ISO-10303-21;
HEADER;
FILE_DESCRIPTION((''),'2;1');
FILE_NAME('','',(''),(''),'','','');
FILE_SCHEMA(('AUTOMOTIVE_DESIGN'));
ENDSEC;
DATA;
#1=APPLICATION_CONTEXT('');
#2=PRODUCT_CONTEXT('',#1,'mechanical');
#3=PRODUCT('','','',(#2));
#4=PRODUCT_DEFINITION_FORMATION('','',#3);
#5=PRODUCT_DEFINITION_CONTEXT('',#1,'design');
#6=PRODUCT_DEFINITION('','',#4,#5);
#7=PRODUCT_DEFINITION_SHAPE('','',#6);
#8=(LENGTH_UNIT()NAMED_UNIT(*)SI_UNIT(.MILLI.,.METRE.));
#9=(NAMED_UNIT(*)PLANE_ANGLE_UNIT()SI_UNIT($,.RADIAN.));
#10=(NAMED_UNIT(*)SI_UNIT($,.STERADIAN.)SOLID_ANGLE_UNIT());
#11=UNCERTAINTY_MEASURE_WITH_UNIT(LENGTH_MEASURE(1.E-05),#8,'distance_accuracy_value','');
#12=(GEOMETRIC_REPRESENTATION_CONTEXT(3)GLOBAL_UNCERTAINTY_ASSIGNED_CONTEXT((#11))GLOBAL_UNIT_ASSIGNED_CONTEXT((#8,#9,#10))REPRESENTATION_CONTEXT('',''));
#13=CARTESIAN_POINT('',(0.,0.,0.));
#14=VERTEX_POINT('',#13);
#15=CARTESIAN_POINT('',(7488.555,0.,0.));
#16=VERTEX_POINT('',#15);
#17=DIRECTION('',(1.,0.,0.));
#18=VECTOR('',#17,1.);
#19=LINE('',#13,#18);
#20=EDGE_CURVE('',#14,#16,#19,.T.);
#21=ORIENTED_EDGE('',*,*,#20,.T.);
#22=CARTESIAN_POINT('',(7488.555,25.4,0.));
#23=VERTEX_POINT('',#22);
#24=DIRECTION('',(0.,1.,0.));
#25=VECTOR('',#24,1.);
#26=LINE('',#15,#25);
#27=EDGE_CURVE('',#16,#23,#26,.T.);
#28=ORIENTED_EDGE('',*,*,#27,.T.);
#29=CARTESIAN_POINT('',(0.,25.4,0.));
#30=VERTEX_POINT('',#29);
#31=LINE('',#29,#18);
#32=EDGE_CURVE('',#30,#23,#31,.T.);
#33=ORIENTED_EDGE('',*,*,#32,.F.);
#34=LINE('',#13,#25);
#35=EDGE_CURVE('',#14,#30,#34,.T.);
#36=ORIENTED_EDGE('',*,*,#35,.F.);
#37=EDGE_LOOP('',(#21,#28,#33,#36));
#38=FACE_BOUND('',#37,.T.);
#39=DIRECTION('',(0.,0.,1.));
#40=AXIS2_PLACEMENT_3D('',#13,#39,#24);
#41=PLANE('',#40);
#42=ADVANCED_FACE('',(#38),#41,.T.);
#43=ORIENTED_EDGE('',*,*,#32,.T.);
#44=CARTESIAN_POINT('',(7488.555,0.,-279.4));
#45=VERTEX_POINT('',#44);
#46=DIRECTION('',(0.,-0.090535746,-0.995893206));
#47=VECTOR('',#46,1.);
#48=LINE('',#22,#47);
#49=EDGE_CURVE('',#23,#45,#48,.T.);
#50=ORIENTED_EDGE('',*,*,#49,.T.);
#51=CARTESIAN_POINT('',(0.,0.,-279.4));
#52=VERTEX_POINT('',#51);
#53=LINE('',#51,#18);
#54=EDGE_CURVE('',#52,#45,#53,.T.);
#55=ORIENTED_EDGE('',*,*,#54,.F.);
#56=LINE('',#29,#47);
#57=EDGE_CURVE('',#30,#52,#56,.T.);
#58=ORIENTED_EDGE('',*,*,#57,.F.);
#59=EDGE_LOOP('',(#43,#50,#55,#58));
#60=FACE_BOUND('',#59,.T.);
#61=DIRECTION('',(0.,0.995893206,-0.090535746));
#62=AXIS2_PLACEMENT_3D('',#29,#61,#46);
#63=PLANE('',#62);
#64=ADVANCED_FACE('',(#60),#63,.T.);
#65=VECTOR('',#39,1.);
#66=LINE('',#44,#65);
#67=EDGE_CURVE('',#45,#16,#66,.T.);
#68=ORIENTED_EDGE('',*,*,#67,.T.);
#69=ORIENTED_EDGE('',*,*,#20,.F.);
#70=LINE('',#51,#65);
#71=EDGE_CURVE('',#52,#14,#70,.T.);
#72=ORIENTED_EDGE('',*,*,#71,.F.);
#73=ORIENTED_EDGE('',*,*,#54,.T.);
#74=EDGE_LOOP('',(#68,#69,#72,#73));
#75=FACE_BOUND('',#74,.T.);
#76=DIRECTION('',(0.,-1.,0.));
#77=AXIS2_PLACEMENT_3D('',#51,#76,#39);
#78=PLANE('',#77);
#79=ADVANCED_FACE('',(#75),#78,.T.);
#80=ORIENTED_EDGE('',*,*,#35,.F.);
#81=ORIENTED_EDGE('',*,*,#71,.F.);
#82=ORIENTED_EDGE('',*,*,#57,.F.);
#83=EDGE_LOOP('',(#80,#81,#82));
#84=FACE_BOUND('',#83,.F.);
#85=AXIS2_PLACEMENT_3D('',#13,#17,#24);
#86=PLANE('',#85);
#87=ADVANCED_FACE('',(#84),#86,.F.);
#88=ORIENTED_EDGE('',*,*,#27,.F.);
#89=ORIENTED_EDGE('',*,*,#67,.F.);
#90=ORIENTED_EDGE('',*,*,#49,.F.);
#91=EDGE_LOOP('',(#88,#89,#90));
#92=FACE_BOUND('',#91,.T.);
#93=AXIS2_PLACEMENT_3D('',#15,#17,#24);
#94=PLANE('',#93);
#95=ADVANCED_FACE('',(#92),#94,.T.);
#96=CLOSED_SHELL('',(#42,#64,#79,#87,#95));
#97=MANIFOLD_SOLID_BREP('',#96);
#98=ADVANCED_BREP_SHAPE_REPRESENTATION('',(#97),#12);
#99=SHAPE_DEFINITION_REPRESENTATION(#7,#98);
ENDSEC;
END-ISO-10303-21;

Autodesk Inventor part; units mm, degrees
ref_plane "YZ Plane" through (0, 0, 0) normal (1, 0, 0) x (0, 1, 0)
ref_plane "XZ Plane" through (0, 0, 0) normal (0, 1, 0) x (-1, 0, 0)
ref_plane "XY Plane" through (0, 0, 0) normal (0, 0, 1) x (1, 0, 0)
sketch "Sketch1" plane through (0, 0, 0) normal (1, 0, 0) x (0, 1, 0)
  line L0 (0, 0) -> (25.4, 0)
  line L1 (25.4, 0) -> (0, -279.4)
  line L2 (0, -279.4) -> (0, 0)
  dimension "d0" = 279.4
  dimension "d1" = 25.4
extrude "Extrusion1" add sketch "Sketch1" along normal blind 7488.555
properties part number "Intake_Vent" material "Polystyrene"
